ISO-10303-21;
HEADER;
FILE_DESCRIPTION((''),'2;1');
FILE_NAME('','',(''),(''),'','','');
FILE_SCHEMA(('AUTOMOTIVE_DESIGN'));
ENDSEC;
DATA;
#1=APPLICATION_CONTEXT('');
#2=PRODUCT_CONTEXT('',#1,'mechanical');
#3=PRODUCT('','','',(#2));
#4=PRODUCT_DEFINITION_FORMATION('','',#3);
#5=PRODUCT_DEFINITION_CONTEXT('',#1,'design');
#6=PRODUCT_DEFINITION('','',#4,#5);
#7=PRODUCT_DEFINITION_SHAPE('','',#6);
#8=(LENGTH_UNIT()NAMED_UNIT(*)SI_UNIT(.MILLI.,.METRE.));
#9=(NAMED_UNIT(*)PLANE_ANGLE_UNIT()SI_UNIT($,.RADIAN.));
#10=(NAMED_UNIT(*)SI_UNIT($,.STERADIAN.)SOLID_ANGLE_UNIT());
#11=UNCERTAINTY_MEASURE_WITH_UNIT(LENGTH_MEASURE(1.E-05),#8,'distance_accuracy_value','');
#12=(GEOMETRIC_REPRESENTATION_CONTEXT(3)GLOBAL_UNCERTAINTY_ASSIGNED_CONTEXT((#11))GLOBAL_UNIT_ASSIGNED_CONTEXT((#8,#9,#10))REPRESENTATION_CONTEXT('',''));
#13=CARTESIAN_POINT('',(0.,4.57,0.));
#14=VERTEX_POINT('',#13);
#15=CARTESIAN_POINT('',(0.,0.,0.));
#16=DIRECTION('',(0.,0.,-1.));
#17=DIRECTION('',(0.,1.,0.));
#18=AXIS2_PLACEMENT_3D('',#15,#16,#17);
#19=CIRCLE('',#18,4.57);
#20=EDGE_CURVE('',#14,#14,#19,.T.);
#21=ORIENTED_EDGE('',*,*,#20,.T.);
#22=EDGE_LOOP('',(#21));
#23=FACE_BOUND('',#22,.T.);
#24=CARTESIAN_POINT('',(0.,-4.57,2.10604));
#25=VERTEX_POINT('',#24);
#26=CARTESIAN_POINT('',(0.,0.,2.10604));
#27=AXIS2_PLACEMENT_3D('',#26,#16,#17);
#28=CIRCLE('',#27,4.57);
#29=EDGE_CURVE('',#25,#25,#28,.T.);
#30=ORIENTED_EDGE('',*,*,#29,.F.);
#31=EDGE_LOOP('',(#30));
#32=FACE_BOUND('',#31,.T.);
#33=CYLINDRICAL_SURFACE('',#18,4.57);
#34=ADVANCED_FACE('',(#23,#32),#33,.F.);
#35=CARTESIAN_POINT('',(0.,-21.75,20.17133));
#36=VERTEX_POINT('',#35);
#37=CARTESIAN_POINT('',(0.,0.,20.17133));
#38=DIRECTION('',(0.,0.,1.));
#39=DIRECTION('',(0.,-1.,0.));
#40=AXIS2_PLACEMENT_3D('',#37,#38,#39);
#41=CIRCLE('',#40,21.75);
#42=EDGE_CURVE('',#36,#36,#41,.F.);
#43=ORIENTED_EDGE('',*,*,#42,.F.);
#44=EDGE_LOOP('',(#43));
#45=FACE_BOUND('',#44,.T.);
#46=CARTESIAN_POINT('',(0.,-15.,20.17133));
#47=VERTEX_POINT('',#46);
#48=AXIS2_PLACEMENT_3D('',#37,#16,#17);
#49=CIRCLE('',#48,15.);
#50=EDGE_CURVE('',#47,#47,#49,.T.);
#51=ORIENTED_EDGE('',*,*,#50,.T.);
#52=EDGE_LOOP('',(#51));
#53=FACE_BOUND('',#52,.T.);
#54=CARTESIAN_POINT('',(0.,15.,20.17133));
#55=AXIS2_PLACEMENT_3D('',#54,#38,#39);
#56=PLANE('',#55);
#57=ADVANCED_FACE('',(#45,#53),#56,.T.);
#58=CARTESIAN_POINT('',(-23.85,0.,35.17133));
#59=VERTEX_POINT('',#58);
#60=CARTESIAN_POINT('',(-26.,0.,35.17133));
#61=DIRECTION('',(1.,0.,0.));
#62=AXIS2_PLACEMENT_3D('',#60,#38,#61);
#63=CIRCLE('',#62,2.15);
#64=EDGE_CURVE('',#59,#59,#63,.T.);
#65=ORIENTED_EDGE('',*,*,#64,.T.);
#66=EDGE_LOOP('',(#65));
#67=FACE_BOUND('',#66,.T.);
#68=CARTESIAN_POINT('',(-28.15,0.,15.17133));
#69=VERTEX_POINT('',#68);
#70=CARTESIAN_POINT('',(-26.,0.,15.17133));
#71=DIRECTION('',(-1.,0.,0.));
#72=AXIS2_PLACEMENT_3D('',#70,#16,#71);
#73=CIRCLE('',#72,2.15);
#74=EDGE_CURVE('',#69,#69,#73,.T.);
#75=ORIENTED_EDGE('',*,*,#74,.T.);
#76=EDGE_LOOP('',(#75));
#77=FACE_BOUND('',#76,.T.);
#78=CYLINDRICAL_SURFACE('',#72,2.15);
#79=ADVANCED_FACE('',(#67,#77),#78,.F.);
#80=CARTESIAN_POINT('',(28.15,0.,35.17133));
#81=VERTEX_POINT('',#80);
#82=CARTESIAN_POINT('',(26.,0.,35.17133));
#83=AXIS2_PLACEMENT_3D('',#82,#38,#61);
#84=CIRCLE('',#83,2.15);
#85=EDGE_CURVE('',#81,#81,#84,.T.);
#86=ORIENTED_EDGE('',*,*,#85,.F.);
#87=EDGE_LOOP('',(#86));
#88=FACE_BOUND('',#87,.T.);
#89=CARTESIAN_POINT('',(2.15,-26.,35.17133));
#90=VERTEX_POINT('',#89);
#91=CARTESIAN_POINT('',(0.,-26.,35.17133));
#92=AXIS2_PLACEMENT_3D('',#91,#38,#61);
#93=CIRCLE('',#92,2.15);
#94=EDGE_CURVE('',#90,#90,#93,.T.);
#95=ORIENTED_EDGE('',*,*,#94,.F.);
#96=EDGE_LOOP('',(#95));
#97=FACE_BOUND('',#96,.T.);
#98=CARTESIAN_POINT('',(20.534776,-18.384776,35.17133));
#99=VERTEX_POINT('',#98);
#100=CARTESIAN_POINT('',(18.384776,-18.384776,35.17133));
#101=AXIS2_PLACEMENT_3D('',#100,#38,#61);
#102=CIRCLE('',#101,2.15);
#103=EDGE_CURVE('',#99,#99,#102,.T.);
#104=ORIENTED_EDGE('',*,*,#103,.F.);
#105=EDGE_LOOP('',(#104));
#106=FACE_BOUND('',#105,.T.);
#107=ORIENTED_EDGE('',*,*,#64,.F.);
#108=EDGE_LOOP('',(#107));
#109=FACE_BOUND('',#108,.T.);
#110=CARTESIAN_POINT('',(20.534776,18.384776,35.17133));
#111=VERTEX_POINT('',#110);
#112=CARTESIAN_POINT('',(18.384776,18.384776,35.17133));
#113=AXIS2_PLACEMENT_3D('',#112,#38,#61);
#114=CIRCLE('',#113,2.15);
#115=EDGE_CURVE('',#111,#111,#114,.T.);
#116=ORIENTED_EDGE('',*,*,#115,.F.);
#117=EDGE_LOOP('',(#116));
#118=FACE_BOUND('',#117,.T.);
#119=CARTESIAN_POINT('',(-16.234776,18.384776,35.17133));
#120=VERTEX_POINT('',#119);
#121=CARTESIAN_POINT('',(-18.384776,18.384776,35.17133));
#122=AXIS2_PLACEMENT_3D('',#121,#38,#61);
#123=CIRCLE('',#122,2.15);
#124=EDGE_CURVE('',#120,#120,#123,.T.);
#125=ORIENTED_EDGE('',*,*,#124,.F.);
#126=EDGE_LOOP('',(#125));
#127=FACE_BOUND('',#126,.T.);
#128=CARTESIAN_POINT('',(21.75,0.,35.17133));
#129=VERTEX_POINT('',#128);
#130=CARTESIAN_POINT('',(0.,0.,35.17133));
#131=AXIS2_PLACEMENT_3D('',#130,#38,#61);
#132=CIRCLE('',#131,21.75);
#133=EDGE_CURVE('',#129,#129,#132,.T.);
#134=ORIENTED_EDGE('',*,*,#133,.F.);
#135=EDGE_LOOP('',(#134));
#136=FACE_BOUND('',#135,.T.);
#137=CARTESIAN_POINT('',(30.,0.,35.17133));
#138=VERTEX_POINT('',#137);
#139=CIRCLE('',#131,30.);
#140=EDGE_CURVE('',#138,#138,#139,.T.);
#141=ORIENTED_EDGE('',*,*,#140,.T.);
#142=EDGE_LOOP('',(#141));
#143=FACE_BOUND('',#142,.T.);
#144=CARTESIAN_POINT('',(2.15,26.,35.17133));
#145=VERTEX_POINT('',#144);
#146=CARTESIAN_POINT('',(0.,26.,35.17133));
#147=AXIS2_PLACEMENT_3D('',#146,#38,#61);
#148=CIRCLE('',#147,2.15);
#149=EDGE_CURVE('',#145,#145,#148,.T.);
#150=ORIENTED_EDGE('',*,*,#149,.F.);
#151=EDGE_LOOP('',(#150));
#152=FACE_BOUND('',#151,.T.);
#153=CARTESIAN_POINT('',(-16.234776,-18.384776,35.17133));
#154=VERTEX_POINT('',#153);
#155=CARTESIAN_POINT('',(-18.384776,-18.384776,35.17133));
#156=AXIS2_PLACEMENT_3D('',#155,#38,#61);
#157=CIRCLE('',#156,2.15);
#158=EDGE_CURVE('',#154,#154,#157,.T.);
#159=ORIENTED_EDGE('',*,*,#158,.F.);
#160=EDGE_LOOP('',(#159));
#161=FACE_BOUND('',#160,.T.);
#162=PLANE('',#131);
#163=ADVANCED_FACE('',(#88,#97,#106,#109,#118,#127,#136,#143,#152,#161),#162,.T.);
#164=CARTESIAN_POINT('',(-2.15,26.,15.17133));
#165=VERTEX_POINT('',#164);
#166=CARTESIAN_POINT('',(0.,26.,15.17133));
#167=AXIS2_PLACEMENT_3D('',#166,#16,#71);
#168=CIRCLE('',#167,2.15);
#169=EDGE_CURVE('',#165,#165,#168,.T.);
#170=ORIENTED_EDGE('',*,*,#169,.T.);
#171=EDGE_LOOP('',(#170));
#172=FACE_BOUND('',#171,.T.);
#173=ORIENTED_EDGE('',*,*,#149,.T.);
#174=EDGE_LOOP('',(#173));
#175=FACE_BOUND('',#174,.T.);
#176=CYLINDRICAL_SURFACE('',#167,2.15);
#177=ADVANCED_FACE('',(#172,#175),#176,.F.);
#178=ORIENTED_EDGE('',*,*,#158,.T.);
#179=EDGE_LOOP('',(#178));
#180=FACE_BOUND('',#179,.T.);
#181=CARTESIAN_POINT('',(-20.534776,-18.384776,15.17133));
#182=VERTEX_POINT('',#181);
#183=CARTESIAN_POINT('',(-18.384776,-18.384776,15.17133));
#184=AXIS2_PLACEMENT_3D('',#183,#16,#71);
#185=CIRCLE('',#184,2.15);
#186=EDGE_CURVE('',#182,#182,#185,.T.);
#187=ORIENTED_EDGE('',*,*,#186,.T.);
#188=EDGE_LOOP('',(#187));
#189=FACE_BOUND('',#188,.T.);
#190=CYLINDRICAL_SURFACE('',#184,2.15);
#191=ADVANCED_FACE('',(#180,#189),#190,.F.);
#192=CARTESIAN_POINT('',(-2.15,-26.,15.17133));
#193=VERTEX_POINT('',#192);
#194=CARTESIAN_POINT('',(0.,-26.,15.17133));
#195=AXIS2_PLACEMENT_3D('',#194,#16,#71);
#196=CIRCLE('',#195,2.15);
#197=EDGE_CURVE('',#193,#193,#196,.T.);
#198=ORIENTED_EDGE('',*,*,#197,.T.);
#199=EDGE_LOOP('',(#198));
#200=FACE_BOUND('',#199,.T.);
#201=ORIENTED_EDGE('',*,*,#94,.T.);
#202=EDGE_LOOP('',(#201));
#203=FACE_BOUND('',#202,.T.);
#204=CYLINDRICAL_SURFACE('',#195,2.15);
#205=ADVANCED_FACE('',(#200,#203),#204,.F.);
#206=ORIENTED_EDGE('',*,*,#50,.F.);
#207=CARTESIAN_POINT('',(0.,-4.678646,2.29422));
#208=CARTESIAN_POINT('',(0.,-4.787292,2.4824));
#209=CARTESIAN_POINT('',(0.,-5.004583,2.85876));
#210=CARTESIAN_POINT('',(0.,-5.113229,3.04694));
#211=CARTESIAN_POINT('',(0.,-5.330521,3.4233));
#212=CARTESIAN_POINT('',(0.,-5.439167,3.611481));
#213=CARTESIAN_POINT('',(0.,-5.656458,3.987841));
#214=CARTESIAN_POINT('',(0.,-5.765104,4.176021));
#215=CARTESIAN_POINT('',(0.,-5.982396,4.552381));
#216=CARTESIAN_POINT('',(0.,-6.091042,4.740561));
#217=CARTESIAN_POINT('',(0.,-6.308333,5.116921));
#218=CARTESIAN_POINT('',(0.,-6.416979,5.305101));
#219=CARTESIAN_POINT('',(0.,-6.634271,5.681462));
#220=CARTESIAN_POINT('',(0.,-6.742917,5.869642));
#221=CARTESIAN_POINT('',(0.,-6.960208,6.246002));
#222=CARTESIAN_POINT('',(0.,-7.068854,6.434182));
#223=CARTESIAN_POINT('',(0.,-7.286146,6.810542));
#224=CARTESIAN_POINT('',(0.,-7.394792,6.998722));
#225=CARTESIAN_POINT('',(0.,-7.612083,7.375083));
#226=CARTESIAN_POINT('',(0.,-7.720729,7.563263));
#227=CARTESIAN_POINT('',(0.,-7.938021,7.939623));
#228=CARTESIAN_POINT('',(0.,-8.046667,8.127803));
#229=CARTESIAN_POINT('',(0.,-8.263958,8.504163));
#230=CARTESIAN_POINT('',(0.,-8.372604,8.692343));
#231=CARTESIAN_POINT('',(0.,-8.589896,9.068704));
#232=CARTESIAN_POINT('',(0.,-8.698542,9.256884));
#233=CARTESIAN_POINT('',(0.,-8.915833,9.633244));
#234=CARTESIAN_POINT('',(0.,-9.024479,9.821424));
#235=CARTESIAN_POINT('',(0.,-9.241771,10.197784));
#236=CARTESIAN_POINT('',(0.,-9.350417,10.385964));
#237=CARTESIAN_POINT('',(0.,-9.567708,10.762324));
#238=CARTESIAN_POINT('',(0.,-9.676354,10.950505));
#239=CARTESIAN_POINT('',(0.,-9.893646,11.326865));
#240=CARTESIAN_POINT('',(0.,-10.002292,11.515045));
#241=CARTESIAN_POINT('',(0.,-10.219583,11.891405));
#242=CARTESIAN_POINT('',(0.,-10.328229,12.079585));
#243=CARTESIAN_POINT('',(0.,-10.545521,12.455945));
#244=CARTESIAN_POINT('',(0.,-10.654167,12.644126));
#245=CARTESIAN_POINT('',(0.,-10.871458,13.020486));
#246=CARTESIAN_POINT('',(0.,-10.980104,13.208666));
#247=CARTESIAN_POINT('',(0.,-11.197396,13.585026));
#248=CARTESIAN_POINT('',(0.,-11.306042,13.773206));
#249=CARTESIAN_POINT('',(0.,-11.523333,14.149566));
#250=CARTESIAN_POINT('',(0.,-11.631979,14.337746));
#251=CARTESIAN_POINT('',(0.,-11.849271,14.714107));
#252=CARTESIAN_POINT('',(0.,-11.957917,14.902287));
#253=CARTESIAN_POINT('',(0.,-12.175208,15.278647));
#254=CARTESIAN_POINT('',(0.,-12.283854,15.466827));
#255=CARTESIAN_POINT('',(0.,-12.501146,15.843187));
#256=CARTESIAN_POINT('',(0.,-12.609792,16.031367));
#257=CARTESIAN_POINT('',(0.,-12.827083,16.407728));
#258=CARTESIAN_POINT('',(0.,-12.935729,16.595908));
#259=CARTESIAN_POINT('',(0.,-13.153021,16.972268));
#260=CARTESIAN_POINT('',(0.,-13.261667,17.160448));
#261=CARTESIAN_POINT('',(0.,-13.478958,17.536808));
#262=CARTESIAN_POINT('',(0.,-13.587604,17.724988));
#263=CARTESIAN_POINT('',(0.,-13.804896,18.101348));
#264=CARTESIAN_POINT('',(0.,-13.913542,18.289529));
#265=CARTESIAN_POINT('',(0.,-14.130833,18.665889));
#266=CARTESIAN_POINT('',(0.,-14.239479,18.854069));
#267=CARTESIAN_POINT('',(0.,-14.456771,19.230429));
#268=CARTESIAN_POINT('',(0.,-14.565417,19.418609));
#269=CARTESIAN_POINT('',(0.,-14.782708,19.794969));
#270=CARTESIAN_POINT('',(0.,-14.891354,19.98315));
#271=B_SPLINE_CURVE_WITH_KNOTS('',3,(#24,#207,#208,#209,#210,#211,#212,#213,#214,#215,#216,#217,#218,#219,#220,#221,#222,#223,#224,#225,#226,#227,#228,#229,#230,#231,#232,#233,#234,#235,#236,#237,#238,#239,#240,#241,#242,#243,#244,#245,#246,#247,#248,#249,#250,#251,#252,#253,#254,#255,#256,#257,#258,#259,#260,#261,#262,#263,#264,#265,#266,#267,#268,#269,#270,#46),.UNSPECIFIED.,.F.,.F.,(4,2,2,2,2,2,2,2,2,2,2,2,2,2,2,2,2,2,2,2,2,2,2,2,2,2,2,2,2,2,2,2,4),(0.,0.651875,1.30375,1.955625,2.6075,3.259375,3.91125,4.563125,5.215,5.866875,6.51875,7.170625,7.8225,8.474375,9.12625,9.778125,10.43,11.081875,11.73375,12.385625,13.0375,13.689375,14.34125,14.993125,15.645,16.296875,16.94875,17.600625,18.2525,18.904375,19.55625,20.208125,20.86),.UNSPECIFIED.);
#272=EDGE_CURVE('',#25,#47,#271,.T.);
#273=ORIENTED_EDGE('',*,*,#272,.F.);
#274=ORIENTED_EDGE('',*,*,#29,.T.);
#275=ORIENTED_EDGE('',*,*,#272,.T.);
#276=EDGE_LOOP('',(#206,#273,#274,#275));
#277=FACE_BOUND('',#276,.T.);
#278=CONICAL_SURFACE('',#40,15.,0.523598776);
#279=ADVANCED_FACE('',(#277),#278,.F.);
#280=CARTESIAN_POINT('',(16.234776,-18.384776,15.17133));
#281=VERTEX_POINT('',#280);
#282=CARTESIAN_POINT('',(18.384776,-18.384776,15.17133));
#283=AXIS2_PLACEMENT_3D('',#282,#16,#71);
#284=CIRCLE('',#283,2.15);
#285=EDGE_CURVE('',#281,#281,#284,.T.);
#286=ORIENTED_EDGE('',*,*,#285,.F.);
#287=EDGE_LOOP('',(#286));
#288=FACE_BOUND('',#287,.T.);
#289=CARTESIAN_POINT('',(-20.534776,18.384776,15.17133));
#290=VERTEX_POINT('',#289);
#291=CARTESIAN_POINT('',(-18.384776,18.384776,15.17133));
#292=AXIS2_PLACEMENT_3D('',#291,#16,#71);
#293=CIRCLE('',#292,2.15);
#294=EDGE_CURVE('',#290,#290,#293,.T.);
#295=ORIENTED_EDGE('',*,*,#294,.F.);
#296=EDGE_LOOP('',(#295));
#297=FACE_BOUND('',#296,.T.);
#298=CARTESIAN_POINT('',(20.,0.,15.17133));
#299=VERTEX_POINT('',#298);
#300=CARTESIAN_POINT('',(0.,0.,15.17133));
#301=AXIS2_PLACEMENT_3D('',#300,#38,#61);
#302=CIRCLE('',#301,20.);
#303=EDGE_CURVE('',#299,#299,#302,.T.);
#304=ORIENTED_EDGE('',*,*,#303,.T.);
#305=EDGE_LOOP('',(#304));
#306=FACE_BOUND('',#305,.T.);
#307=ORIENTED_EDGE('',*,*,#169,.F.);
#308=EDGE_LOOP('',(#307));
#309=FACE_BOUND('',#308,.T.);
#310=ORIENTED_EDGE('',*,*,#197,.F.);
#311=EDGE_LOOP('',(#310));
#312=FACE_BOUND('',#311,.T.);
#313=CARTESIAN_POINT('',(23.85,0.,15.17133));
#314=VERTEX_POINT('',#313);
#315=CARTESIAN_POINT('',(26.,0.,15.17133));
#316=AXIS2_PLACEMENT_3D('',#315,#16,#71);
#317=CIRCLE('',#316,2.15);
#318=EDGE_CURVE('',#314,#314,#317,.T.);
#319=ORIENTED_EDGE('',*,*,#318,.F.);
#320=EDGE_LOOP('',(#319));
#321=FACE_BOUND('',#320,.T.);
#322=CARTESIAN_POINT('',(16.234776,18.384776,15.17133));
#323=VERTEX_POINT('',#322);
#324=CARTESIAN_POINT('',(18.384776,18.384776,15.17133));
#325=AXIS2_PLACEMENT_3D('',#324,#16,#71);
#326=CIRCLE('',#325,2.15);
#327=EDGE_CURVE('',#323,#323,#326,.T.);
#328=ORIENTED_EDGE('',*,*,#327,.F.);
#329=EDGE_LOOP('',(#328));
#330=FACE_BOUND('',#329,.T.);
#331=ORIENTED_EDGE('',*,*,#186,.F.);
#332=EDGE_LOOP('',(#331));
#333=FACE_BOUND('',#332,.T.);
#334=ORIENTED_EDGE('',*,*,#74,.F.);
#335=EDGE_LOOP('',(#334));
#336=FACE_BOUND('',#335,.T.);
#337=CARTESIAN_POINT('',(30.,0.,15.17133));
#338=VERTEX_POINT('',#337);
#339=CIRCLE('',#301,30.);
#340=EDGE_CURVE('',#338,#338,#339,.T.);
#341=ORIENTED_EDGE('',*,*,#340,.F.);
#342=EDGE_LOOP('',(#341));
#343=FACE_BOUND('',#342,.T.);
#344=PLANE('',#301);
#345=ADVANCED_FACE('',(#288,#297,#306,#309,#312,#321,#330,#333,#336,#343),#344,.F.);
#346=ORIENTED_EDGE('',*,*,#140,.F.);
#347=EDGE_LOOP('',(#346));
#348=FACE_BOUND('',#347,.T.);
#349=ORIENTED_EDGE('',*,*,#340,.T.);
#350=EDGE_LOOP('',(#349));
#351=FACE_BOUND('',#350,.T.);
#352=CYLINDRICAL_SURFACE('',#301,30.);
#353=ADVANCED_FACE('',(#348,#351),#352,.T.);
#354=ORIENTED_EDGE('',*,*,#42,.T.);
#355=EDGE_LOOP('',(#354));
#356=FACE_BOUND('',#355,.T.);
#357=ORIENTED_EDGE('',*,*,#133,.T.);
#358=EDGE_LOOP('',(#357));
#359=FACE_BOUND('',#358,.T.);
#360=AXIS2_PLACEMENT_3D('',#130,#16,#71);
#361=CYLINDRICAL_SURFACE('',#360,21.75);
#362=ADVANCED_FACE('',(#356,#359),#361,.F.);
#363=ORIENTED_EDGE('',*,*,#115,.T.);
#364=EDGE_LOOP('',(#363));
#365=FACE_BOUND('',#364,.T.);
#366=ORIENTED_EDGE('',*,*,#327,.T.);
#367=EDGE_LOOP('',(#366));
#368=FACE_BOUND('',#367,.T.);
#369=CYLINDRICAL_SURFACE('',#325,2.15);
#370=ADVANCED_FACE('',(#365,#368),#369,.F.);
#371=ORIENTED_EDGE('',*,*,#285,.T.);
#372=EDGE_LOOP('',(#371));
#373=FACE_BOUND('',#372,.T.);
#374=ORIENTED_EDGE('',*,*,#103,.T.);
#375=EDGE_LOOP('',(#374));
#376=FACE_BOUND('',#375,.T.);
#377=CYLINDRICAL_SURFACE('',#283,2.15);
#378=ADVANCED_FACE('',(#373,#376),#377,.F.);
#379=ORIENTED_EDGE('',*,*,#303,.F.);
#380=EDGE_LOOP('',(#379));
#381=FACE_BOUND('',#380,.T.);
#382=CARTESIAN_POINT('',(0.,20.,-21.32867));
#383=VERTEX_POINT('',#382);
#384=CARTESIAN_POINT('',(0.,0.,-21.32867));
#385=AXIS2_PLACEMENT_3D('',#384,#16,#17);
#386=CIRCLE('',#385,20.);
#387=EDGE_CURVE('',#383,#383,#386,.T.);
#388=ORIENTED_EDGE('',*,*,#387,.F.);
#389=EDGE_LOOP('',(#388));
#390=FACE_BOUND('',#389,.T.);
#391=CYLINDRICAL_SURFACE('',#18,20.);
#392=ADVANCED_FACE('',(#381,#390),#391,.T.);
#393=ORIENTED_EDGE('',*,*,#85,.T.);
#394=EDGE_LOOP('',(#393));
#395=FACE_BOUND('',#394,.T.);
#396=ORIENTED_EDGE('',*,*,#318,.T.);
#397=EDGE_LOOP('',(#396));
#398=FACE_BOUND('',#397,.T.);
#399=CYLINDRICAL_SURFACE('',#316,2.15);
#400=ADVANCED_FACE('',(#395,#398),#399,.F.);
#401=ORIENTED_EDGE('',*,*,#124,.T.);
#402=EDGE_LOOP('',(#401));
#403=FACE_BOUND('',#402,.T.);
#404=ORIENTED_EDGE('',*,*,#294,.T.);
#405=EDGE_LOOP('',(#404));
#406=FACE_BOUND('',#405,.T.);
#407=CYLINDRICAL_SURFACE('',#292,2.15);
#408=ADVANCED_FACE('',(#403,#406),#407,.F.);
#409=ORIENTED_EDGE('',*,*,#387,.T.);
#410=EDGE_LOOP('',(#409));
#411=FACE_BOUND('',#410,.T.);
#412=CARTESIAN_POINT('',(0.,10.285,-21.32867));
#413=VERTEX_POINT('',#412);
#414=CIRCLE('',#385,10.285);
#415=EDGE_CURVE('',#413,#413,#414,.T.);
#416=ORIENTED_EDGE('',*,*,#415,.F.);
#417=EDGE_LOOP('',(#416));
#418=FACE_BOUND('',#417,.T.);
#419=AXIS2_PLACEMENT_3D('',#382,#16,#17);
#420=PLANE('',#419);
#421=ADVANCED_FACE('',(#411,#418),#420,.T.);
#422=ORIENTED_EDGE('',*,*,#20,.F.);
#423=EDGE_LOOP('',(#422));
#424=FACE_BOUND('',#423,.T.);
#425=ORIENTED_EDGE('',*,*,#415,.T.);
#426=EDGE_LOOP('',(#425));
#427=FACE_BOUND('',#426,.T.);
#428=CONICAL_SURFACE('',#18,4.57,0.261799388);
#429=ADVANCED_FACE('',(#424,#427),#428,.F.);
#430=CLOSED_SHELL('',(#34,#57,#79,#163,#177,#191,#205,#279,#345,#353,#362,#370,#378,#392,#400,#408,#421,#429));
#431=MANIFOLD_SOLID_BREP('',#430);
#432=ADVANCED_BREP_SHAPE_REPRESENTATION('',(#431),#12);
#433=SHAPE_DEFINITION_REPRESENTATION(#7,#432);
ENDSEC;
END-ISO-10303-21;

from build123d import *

# Parameters (mm, degrees)
BOSS_EXTRUDE1_START  = -5
SKETCH4_R            = 30
SKETCH4_R_2          = 20
BOSS_EXTRUDE1_DEPTH  = 5
SKETCH5_R            = 30
SKETCH5_R_2          = 21.75
BOSS_EXTRUDE2_DEPTH  = 15
M4_CLEARANCE_HOLE1_D = 4.3
CIRPATTERN1_COUNT    = 8


with BuildPart() as part:
    # Sketch2 → Revolve1 (revolve)
    with BuildSketch(Plane(origin=(0, 0, 0), x_dir=(0, 0, -1), z_dir=(1, 0, 0))):
        Polygon((21.328670365, 20), (21.328670365, 10.285), (0, 4.57), (-2.106039712, 4.57), (-20.171329635, 15), (-20.171329635, 20), align=None)
    revolve(axis=Axis((0, 0, 0), (0, 0, 1)))

    # Sketch4 → Boss-Extrude1 (add)
    with BuildSketch(Plane.XY.offset(20.171329635).offset(BOSS_EXTRUDE1_START)):
        Circle(SKETCH4_R)
        with Locations(Location((0, 0, 0), (0, 0, 90))):
            Circle(SKETCH4_R_2, mode=Mode.SUBTRACT)
    extrude(amount=BOSS_EXTRUDE1_DEPTH)

    # Sketch5 → Boss-Extrude2 (add)
    with BuildSketch(Plane.XY.offset(20.171329635)):
        Circle(SKETCH5_R)
        with Locations(Location((0, 0, 0), (0, 0, 270))):
            Circle(SKETCH5_R_2, mode=Mode.SUBTRACT)
    extrude(amount=BOSS_EXTRUDE2_DEPTH)

    # M4 Clearance Hole1 (through all)
    with Locations(Plane(origin=(0, 0, 15.171329635), x_dir=(-1, 0, 0), z_dir=(0, 0, -1))):
        with Locations((0, 26)):
            m4_clearance_hole1 = Hole(M4_CLEARANCE_HOLE1_D / 2)

    # CirPattern1: M4 Clearance Hole1 ×8 about axis
    cirpattern1_axis = Axis((0, 0, 0), (0, 0, 1))
    for i in range(1, CIRPATTERN1_COUNT):
        add(m4_clearance_hole1.rotate(cirpattern1_axis, i * 360 / CIRPATTERN1_COUNT), mode=Mode.SUBTRACT)


solid = part.part
